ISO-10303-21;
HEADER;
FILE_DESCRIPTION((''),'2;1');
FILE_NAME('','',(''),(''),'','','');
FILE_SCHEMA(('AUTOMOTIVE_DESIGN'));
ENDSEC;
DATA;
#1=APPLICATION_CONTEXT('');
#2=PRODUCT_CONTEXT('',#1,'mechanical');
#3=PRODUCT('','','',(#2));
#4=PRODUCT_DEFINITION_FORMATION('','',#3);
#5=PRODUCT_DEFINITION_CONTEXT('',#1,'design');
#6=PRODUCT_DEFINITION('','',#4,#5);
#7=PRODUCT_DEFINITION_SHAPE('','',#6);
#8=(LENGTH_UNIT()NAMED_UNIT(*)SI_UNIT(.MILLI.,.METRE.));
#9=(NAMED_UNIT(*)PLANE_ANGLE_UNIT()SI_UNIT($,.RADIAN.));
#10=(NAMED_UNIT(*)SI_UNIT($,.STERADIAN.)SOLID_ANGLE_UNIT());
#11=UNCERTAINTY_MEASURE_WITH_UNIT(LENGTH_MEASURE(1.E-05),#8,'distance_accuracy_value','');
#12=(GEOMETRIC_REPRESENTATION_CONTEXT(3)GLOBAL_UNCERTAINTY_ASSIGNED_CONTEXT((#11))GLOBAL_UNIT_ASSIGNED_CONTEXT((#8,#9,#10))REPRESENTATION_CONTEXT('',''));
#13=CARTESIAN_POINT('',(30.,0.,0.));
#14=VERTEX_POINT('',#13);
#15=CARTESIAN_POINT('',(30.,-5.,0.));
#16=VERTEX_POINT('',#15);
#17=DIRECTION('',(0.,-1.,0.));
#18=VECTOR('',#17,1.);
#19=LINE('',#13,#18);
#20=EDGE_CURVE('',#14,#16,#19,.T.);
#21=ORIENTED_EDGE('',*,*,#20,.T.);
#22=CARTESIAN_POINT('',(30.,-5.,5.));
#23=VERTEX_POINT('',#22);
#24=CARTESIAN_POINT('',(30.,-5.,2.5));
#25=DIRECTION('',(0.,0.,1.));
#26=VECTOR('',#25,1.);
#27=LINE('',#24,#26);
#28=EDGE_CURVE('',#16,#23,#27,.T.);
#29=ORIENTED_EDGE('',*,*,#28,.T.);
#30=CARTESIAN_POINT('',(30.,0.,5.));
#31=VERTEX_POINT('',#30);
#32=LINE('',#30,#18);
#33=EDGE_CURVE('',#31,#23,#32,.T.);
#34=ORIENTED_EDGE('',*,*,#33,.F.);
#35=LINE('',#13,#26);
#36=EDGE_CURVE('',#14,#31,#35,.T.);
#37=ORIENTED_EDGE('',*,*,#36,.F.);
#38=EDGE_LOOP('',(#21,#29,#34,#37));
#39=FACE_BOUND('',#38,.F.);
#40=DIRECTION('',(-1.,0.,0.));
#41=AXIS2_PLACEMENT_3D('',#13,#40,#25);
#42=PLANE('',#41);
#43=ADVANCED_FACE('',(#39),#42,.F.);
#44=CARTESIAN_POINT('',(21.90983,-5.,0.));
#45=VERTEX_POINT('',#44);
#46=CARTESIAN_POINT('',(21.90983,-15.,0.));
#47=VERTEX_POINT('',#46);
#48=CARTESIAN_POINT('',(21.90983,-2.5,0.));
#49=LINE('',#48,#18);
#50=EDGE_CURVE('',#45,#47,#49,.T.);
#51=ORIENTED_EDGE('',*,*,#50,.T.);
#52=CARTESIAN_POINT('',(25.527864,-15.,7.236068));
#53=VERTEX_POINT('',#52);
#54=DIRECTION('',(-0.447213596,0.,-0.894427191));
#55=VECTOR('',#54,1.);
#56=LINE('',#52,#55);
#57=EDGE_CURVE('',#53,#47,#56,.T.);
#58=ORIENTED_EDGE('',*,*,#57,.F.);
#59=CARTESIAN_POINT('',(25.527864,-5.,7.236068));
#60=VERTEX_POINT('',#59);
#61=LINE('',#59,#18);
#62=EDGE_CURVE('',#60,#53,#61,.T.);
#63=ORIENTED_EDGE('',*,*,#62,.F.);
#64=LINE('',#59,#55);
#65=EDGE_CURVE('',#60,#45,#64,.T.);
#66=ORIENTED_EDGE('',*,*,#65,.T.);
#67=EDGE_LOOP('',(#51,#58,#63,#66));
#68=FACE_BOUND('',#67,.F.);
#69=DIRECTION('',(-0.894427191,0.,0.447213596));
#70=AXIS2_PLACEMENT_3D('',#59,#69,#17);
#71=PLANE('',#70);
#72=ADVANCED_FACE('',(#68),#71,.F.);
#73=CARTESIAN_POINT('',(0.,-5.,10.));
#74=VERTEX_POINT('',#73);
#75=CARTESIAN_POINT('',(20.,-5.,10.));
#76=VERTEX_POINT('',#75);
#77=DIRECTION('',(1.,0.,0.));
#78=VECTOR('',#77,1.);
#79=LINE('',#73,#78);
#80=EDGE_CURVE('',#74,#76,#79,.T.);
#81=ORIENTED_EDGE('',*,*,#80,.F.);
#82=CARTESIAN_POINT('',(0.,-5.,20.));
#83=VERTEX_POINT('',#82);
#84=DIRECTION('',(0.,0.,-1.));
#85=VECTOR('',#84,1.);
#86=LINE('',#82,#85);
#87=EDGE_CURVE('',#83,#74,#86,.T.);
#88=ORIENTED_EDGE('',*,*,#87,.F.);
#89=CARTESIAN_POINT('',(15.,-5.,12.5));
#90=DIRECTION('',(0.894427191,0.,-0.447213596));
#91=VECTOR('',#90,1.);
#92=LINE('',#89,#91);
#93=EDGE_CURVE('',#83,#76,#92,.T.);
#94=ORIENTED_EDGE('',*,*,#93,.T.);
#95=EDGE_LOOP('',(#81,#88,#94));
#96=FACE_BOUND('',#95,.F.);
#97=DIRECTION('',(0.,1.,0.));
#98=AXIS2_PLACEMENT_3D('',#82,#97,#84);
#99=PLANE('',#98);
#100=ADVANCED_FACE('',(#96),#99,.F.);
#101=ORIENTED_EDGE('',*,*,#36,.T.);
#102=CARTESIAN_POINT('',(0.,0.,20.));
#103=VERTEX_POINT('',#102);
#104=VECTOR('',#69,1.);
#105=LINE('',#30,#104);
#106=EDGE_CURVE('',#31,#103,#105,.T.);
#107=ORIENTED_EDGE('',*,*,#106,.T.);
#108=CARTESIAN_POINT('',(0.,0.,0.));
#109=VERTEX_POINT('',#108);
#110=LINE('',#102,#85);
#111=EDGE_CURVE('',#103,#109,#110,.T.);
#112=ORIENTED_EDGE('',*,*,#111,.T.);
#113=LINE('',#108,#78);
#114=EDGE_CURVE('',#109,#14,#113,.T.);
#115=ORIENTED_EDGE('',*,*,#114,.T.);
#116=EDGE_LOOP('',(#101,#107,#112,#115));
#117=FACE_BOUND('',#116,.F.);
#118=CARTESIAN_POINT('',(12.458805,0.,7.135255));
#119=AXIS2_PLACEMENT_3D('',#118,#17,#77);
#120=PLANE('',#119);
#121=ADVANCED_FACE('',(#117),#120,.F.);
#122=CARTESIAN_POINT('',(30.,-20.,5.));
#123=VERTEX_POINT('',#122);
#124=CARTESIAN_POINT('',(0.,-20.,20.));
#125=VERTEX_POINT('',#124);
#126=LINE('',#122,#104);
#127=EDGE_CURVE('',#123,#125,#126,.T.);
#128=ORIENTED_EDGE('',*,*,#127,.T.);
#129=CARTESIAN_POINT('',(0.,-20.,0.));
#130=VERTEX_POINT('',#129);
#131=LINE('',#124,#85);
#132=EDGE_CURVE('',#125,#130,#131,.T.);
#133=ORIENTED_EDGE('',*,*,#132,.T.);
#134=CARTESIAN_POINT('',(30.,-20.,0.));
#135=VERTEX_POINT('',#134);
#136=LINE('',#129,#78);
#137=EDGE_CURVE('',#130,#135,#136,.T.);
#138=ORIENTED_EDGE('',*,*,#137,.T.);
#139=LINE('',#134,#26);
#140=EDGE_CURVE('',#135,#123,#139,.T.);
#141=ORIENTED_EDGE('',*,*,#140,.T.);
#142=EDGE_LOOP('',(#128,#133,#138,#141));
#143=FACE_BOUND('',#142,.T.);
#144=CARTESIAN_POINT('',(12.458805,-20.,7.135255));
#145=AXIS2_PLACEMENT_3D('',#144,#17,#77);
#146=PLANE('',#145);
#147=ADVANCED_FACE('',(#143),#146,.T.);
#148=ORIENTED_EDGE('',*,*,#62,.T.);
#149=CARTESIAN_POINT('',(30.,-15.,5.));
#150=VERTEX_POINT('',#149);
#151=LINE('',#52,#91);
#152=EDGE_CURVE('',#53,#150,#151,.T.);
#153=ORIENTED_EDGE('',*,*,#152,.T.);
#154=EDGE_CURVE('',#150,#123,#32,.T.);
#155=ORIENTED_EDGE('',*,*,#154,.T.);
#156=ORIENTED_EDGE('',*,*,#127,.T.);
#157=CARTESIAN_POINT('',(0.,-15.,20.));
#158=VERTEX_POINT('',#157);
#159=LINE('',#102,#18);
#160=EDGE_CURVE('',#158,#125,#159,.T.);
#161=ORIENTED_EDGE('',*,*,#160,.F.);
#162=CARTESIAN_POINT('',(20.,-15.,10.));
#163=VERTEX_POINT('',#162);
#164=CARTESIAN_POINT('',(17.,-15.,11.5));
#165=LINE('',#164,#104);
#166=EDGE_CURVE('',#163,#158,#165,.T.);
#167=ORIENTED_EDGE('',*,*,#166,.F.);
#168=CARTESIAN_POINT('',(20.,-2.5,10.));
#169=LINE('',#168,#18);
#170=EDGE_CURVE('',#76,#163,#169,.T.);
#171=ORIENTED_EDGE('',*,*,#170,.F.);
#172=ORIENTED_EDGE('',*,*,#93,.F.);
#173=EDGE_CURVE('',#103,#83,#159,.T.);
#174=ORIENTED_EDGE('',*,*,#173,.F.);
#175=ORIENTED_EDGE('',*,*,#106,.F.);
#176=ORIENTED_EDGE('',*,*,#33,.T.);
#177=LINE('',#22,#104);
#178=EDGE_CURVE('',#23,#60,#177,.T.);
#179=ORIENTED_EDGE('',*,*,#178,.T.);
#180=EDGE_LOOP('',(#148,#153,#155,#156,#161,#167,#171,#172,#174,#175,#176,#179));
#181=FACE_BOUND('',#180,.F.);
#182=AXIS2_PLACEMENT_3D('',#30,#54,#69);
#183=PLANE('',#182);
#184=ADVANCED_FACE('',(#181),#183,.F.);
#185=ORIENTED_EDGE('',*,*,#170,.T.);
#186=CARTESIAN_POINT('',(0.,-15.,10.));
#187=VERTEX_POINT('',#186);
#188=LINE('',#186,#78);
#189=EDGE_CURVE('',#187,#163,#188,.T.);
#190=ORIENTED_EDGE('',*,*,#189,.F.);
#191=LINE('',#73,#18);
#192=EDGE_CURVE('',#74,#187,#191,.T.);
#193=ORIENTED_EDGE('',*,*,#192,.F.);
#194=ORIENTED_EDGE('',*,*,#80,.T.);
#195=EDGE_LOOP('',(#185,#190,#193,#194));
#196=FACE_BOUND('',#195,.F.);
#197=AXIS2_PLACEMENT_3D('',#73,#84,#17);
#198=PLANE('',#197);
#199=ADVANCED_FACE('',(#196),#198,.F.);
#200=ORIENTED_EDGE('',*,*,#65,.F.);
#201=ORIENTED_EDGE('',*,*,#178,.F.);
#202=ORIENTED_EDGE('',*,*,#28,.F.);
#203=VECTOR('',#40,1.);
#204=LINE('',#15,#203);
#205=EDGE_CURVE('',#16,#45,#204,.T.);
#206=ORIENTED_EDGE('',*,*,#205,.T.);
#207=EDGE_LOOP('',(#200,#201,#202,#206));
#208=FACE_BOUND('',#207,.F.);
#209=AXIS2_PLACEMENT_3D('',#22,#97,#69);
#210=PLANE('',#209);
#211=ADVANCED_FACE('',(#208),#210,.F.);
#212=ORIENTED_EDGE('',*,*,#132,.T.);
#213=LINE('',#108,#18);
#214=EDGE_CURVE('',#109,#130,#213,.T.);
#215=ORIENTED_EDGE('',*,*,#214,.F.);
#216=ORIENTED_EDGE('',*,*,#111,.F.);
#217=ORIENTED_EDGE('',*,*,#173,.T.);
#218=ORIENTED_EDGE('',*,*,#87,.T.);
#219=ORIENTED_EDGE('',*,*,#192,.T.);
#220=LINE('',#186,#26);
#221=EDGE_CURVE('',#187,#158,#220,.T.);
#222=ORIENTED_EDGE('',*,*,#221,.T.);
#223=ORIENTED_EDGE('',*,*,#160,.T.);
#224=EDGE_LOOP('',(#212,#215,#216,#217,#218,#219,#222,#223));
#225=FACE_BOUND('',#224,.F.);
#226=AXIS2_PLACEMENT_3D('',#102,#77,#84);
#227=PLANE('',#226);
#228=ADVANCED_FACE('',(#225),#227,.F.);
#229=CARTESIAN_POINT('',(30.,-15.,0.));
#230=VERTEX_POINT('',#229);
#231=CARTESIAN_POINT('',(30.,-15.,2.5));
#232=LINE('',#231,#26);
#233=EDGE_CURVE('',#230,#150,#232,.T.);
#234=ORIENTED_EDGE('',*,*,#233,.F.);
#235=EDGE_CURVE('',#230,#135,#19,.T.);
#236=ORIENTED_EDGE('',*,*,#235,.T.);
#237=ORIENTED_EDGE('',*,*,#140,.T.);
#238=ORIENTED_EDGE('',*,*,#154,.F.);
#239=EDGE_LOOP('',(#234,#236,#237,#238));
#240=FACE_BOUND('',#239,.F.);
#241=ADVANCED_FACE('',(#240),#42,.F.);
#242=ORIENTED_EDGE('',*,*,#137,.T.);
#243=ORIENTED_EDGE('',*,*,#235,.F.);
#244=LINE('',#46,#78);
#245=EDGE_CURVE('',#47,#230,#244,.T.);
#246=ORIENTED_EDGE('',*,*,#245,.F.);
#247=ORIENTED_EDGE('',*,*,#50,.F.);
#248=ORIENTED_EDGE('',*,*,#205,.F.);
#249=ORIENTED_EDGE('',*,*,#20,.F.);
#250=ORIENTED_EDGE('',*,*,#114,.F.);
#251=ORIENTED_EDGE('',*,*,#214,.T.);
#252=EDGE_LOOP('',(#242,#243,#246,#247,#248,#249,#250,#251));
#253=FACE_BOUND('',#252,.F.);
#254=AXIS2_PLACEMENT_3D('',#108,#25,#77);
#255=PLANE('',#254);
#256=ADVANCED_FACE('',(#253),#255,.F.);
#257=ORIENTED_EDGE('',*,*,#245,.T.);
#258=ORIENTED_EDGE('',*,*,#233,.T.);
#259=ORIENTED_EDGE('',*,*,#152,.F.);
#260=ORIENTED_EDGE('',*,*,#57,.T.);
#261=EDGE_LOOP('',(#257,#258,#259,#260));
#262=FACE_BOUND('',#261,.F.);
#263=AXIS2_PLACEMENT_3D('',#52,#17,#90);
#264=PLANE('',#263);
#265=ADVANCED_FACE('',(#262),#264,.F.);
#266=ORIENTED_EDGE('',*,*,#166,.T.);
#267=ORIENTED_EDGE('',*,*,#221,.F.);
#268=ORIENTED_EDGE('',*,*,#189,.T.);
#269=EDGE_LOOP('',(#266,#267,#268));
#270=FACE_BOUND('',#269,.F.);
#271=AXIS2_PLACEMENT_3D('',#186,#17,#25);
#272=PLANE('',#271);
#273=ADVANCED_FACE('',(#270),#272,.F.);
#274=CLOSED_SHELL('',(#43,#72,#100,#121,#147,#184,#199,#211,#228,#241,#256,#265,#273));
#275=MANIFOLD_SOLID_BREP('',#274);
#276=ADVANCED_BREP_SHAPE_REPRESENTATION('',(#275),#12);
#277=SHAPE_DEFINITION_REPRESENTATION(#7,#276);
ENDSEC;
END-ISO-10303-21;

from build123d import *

# Parameters (mm, degrees)
F1_DEPTH = 20
F3_DEPTH = 17.88954382
F4_W     = 10
F4_H     = 5
F5_DEPTH = 2.501
F7_DEPTH = 30.001


with BuildPart() as f1:
    # F0 (on Front) → F1 (new body)
    with BuildSketch(Plane.XZ):
        Polygon((0, 20), (0, 0), (30, 0), (30, 5), align=None)
    extrude(amount=F1_DEPTH)

    # F2 (on face) → F3 (cut, through all)
    with BuildSketch(Plane(origin=(8, 0, 16), x_dir=(0.894427191, 0, -0.4472135955), z_dir=(0.4472135955, 0, 0.894427191))):
        Polygon((24.5967477525, -15), (24.5967477525, -10), (24.5967477525, -5), (19.5967477525, -5), (19.5967477525, -10), (19.5967477525, -15), align=None)
    extrude(amount=-F3_DEPTH, mode=Mode.SUBTRACT)

    # F4 (on face) → F5 (cut, through all)
    with BuildSketch(Plane.YZ.offset(30)):
        with Locations((-10, 2.5)):
            Rectangle(F4_W, F4_H)
    extrude(amount=-F5_DEPTH, mode=Mode.SUBTRACT)

    # F6 (on face) → F7 (cut, through all)
    with BuildSketch(Plane(origin=(0, 0, 0), x_dir=(0, -1, 0), z_dir=(-1, 0, 0))):
        Polygon((15, 20), (10, 20), (5, 20), (5, 10), (10, 10), (15, 10), align=None)
    extrude(amount=-F7_DEPTH, mode=Mode.SUBTRACT)


solid = f1.part
